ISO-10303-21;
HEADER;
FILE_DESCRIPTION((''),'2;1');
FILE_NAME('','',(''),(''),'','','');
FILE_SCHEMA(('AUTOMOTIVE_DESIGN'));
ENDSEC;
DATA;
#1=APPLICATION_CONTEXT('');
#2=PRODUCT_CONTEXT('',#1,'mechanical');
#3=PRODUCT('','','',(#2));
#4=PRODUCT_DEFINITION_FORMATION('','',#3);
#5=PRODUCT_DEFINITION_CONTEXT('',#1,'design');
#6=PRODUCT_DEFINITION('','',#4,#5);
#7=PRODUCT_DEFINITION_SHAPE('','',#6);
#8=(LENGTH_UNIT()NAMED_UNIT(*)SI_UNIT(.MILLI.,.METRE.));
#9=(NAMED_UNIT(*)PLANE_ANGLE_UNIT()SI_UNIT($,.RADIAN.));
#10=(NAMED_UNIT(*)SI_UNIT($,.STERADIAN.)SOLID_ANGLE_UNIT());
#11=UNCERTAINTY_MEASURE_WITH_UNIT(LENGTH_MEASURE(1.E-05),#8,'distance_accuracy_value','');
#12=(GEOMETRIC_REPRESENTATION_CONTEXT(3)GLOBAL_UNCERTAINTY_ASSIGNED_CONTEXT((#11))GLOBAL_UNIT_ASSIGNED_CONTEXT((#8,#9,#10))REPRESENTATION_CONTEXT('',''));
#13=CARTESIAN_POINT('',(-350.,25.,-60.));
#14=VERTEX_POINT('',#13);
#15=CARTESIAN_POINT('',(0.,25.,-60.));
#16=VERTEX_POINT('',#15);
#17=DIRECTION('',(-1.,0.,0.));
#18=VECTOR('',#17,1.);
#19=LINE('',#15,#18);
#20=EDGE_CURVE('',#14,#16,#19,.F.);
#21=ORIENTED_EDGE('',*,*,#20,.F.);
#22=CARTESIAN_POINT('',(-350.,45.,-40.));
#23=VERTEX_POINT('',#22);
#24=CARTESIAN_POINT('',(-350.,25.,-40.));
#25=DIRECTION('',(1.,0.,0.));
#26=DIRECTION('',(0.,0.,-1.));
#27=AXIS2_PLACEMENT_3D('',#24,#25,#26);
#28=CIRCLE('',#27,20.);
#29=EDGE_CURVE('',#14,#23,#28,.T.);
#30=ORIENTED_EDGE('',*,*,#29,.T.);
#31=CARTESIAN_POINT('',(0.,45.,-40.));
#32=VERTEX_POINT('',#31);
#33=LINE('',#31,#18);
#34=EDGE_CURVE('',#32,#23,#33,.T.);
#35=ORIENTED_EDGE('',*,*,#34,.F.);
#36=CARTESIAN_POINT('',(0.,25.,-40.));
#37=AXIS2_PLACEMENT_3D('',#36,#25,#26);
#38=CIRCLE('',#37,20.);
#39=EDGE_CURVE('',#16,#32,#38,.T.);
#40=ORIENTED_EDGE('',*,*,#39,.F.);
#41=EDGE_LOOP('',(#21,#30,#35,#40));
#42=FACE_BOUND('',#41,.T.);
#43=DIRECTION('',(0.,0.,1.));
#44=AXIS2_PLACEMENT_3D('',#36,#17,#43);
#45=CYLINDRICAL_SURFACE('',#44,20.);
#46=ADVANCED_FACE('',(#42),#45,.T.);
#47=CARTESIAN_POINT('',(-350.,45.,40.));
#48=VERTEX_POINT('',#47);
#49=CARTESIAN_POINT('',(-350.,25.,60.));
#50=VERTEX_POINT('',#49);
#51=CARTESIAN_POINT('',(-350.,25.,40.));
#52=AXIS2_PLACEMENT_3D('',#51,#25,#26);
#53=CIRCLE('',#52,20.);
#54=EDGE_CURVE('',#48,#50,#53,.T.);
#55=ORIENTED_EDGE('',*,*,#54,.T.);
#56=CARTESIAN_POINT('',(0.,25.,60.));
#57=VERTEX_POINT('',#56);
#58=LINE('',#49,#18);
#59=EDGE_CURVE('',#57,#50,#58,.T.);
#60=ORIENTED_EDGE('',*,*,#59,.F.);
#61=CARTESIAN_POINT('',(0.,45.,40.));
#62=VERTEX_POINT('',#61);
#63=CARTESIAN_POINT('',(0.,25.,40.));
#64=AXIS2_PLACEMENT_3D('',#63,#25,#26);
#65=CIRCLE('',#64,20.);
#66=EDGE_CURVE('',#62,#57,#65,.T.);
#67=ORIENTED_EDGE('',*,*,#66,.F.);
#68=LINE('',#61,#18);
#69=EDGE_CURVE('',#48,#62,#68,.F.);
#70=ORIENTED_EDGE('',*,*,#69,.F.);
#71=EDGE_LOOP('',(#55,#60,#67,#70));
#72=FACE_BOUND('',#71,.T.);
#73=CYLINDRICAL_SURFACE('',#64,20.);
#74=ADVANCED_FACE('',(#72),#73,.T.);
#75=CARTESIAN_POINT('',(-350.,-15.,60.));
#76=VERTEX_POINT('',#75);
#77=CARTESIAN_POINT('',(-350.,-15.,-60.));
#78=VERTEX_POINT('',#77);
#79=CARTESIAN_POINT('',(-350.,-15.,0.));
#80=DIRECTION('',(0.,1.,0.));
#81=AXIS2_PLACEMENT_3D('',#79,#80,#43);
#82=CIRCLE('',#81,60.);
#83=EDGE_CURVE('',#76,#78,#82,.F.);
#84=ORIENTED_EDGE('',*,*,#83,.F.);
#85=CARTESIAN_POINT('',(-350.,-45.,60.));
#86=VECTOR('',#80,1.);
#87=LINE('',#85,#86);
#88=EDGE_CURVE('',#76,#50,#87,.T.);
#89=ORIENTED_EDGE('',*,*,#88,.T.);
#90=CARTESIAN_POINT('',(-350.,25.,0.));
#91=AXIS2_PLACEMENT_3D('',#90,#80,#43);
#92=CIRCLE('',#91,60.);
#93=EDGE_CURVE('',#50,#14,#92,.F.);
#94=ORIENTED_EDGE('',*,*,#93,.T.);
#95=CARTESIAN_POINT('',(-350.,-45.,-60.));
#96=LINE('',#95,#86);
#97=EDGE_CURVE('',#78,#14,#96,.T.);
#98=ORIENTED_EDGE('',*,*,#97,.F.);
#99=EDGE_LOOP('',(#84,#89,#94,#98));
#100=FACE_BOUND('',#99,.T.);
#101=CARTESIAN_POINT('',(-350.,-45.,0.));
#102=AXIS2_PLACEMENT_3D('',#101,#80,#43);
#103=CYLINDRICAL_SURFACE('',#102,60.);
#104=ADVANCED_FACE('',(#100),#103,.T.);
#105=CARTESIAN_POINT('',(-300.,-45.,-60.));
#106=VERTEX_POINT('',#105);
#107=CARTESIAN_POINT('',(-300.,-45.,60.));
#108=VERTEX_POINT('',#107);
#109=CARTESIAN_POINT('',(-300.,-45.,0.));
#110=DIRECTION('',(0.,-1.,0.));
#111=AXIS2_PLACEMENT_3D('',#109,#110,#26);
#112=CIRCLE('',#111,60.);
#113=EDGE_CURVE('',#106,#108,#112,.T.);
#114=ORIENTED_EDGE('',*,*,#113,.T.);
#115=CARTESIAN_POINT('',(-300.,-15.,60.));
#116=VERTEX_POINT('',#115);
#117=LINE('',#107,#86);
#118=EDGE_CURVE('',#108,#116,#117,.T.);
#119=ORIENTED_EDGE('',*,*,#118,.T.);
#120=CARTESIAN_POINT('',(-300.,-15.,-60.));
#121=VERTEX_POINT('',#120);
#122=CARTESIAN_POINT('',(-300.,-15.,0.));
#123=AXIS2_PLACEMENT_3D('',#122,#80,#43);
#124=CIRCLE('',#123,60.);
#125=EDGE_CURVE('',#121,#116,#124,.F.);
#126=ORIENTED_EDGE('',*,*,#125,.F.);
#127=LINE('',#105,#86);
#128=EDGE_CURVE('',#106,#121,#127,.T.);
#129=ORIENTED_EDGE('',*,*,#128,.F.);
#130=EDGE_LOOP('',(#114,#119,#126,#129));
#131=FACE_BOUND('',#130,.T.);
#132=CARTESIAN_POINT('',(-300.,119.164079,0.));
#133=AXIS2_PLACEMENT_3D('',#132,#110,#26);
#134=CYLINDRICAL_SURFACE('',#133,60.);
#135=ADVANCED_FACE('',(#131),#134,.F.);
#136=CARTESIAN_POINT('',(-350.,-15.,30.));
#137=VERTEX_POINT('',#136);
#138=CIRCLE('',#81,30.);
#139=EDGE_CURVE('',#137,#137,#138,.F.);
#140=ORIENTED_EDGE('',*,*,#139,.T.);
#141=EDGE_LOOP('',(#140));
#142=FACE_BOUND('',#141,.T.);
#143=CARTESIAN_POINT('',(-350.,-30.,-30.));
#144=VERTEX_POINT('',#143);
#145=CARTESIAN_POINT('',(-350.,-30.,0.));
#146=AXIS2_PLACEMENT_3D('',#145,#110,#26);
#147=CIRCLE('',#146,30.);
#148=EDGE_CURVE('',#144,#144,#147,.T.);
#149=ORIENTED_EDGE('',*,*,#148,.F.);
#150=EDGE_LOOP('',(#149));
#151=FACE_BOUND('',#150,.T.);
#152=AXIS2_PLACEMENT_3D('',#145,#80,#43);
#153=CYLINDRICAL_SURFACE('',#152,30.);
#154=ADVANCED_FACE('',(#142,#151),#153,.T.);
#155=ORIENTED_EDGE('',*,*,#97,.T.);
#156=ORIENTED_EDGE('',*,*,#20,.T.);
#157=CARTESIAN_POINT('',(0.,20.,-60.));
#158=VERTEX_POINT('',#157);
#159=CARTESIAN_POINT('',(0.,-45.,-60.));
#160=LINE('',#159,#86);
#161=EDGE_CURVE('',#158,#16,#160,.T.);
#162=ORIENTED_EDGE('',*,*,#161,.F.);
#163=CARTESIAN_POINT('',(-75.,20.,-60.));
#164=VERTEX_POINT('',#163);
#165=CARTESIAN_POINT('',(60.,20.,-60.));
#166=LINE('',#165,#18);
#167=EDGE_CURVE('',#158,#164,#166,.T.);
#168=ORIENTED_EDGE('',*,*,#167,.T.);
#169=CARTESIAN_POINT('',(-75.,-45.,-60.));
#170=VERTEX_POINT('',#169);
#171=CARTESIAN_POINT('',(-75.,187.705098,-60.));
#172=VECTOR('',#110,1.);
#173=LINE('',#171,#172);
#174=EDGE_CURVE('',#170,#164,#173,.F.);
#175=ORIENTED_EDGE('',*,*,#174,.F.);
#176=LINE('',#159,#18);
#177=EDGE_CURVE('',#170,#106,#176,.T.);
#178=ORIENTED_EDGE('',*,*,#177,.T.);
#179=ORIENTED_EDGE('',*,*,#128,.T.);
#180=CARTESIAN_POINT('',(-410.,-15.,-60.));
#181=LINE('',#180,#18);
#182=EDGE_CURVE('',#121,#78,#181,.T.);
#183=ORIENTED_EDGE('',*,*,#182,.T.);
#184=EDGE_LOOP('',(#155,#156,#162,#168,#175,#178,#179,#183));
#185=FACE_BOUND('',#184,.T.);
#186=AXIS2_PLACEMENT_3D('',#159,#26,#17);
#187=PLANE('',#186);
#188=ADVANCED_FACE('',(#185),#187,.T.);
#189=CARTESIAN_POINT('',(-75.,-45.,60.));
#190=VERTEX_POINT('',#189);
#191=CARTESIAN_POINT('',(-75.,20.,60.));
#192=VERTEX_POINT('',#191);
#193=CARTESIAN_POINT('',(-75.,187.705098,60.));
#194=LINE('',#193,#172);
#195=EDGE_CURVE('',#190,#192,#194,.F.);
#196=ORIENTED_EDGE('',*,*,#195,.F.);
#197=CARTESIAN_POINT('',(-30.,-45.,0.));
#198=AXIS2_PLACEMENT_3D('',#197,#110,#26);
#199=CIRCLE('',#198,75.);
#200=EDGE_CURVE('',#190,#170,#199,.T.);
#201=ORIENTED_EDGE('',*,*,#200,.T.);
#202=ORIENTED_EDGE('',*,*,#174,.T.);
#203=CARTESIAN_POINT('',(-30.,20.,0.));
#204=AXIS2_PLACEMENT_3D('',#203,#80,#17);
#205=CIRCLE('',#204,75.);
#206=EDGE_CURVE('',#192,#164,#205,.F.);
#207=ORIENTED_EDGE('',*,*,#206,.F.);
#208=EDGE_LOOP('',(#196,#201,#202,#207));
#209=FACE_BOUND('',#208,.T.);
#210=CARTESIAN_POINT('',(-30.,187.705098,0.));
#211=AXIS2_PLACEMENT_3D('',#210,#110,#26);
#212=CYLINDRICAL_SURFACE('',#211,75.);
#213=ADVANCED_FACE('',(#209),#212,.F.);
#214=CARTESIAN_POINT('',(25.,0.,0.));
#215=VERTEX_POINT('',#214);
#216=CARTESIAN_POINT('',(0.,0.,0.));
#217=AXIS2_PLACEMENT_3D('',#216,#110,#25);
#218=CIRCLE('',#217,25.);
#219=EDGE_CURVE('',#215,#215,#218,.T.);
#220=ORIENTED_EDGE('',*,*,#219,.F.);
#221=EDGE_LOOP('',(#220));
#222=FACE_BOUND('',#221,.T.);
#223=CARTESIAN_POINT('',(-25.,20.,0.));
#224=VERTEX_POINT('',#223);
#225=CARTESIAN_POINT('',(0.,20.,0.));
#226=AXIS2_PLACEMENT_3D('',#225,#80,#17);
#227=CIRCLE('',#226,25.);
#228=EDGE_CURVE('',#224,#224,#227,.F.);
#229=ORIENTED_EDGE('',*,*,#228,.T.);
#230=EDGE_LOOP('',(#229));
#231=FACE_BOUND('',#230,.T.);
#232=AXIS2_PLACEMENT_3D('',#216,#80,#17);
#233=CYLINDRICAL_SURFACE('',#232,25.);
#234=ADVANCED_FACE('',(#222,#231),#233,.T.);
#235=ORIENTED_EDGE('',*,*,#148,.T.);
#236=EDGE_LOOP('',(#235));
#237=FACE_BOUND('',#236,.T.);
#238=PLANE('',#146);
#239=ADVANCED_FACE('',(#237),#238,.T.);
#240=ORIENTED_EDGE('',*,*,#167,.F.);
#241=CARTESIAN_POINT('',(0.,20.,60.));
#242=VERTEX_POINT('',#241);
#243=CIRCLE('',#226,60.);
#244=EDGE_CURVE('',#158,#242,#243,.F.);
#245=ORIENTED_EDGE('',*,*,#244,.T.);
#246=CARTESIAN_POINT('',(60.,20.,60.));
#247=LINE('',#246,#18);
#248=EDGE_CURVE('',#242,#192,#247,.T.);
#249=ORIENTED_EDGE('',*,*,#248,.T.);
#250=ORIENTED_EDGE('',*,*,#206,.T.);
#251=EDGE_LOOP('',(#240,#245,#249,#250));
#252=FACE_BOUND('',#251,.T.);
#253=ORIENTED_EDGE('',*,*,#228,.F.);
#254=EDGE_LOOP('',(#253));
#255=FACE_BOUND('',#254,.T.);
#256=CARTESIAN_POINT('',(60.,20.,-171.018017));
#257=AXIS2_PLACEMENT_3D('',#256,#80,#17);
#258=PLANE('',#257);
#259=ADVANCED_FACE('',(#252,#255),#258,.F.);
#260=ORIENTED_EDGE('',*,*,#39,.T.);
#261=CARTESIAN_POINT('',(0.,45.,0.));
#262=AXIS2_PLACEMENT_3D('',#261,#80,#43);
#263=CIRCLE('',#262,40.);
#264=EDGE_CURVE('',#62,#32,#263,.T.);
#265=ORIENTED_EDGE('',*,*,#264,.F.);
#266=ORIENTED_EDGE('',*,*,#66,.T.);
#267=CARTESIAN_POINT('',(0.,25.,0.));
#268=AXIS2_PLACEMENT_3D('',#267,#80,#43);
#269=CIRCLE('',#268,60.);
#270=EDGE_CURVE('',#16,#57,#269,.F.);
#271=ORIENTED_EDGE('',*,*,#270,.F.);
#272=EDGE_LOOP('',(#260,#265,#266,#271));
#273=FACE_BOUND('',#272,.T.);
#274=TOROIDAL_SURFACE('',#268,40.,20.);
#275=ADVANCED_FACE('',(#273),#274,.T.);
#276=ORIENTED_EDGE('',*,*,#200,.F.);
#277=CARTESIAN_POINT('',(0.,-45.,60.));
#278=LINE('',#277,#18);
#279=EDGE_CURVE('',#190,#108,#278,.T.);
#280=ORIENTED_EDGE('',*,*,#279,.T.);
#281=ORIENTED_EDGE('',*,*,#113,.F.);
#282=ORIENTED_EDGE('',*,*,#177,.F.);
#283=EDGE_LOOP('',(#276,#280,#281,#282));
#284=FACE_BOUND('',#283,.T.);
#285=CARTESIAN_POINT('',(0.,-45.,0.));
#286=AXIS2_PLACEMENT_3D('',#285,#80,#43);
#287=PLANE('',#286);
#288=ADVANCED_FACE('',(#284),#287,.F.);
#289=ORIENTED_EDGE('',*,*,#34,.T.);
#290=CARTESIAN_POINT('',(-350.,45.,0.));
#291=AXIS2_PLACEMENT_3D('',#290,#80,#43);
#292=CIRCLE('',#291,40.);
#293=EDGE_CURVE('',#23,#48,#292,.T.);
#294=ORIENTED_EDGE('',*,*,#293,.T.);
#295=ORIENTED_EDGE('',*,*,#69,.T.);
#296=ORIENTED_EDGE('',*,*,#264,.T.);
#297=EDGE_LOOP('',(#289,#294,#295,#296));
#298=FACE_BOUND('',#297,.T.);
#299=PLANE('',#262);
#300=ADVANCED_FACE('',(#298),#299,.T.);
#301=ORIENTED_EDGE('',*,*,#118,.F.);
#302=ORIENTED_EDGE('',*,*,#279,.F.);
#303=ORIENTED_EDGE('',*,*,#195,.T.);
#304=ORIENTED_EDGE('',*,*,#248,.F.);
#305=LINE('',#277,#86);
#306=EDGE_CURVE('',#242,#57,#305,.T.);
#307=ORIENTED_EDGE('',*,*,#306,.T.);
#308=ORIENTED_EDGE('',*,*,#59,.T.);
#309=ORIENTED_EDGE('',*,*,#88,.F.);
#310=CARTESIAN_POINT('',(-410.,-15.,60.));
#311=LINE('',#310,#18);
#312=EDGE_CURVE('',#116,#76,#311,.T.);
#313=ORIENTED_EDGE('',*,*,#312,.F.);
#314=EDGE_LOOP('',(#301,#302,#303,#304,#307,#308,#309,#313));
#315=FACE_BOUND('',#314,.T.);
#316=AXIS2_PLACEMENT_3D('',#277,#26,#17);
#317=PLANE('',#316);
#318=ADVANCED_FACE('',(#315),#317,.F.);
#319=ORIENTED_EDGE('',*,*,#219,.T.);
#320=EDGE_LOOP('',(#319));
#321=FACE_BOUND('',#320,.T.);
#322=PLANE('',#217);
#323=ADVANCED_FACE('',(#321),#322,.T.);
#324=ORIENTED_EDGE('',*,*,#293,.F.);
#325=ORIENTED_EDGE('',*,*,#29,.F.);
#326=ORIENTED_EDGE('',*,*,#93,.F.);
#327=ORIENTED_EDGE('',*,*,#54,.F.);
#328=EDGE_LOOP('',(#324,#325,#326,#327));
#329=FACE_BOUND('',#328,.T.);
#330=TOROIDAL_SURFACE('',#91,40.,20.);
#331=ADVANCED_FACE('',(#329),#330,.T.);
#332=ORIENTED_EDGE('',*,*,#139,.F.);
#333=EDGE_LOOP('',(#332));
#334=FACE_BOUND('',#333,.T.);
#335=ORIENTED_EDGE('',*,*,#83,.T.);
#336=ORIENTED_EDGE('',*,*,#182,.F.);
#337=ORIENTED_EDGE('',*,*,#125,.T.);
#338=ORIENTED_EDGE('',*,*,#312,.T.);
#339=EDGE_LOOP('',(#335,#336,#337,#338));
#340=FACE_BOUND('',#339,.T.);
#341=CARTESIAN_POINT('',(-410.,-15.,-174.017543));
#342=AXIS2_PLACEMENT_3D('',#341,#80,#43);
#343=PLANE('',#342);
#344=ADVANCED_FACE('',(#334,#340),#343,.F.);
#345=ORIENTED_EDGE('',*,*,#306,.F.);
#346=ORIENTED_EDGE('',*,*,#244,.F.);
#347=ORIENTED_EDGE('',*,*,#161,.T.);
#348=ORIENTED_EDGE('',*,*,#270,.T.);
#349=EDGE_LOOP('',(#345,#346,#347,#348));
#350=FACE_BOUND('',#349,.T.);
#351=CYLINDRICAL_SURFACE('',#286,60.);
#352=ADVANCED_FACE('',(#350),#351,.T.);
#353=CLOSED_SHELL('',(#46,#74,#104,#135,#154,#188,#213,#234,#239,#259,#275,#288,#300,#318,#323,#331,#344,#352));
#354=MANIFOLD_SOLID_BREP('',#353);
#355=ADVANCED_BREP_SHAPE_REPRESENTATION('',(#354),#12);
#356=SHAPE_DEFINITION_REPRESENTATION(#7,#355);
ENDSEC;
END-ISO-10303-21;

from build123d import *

# Parameters (mm, degrees)
AUFSATZ_LINEAR_AUSTRAGEN1_DEPTH      = 45
AUFSATZ_LINEAR_AUSTRAGEN1_DEPTH_BACK = 45
SKIZZE3_W                            = 90
SKIZZE3_H                            = 65
SCHNITT_LINEAR_AUSTRAGEN1_DEPTH      = 120
SKIZZE4_R                            = 25
AUFSATZ_LINEAR_AUSTRAGEN2_DEPTH      = 20
SCHNITT_LINEAR_AUSTRAGEN2_DEPTH      = 65
SKIZZE6_W                            = 110
SKIZZE6_H                            = 30
SCHNITT_LINEAR_AUSTRAGEN3_DEPTH      = 120
SCHNITT_LINEAR_AUSTRAGEN4_DEPTH      = 30
SKIZZE8_R                            = 30
AUFSATZ_LINEAR_AUSTRAGEN3_DEPTH      = 15
VERRUNDUNG1_R                        = 20


with BuildPart() as part:
    # Skizze2 → Aufsatz-Linear austragen1 (new, two sides: drawn at the far end of the back side and taken through both)
    with BuildSketch(Plane(origin=(0, 0, 0), x_dir=(1, 0, 0), z_dir=(0, 1, 0)).offset(-AUFSATZ_LINEAR_AUSTRAGEN1_DEPTH_BACK)):
        with BuildLine():
            Line((-350, -60), (0, -60))
            ThreePointArc((0, -60), (60, 0), (0, 60))
            Line((0, 60), (-350, 60))
            ThreePointArc((-350, 60), (-410, 0), (-350, -60))
        make_face()
    extrude(amount=AUFSATZ_LINEAR_AUSTRAGEN1_DEPTH + AUFSATZ_LINEAR_AUSTRAGEN1_DEPTH_BACK)

    # Skizze3 → Schnitt-Linear austragen1 (cut)
    with BuildSketch(Plane.XY.offset(60)):
        with Locations((15, -12.5)):
            Rectangle(SKIZZE3_W, SKIZZE3_H)
    extrude(amount=-SCHNITT_LINEAR_AUSTRAGEN1_DEPTH, mode=Mode.SUBTRACT)

    # Skizze4 → Aufsatz-Linear austragen2 (add)
    with BuildSketch(Plane.XZ.offset(-20)):
        with Locations(Location((0, 0, 0), (0, 0, 180))):
            Circle(SKIZZE4_R)
    extrude(amount=AUFSATZ_LINEAR_AUSTRAGEN2_DEPTH)

    # Skizze5 → Schnitt-Linear austragen2 (cut)
    with BuildSketch(Plane.XZ.offset(45)):
        with BuildLine():
            Line((-30, 75), (-30, -75))
            ThreePointArc((-30, -75), (-105, 0), (-30, 75))
        make_face()
    extrude(amount=-SCHNITT_LINEAR_AUSTRAGEN2_DEPTH, mode=Mode.SUBTRACT)

    # Skizze6 → Schnitt-Linear austragen3 (cut)
    with BuildSketch(Plane.XY.offset(60)):
        with Locations((-355, -30)):
            Rectangle(SKIZZE6_W, SKIZZE6_H)
    extrude(amount=-SCHNITT_LINEAR_AUSTRAGEN3_DEPTH, mode=Mode.SUBTRACT)

    # Skizze7 → Schnitt-Linear austragen4 (cut)
    with BuildSketch(Plane(origin=(0, -45, 0), x_dir=(-1, 0, 0), z_dir=(0, -1, 0))):
        with BuildLine():
            Line((300, -60), (300, 60))
            ThreePointArc((300, 60), (240, 0), (300, -60))
        make_face()
    extrude(amount=-SCHNITT_LINEAR_AUSTRAGEN4_DEPTH, mode=Mode.SUBTRACT)

    # Skizze8 → Aufsatz-Linear austragen3 (add)
    with BuildSketch(Plane(origin=(0, -15, 0), x_dir=(-1, 0, 0), z_dir=(0, -1, 0))):
        with Locations(Location((350, 0, 0), (0, 0, 270))):
            Circle(SKIZZE8_R)
    extrude(amount=AUFSATZ_LINEAR_AUSTRAGEN3_DEPTH)

    # Verrundung1
    verrundung1_edges = [part.edges().sort_by_distance(p)[0] for p in [
        (-175, 45, 60),
        (-175, 45, -60),
        (-410, 45, 0),
        (60, 45, 0),
    ]]
    fillet(verrundung1_edges, radius=VERRUNDUNG1_R)


solid = part.part
